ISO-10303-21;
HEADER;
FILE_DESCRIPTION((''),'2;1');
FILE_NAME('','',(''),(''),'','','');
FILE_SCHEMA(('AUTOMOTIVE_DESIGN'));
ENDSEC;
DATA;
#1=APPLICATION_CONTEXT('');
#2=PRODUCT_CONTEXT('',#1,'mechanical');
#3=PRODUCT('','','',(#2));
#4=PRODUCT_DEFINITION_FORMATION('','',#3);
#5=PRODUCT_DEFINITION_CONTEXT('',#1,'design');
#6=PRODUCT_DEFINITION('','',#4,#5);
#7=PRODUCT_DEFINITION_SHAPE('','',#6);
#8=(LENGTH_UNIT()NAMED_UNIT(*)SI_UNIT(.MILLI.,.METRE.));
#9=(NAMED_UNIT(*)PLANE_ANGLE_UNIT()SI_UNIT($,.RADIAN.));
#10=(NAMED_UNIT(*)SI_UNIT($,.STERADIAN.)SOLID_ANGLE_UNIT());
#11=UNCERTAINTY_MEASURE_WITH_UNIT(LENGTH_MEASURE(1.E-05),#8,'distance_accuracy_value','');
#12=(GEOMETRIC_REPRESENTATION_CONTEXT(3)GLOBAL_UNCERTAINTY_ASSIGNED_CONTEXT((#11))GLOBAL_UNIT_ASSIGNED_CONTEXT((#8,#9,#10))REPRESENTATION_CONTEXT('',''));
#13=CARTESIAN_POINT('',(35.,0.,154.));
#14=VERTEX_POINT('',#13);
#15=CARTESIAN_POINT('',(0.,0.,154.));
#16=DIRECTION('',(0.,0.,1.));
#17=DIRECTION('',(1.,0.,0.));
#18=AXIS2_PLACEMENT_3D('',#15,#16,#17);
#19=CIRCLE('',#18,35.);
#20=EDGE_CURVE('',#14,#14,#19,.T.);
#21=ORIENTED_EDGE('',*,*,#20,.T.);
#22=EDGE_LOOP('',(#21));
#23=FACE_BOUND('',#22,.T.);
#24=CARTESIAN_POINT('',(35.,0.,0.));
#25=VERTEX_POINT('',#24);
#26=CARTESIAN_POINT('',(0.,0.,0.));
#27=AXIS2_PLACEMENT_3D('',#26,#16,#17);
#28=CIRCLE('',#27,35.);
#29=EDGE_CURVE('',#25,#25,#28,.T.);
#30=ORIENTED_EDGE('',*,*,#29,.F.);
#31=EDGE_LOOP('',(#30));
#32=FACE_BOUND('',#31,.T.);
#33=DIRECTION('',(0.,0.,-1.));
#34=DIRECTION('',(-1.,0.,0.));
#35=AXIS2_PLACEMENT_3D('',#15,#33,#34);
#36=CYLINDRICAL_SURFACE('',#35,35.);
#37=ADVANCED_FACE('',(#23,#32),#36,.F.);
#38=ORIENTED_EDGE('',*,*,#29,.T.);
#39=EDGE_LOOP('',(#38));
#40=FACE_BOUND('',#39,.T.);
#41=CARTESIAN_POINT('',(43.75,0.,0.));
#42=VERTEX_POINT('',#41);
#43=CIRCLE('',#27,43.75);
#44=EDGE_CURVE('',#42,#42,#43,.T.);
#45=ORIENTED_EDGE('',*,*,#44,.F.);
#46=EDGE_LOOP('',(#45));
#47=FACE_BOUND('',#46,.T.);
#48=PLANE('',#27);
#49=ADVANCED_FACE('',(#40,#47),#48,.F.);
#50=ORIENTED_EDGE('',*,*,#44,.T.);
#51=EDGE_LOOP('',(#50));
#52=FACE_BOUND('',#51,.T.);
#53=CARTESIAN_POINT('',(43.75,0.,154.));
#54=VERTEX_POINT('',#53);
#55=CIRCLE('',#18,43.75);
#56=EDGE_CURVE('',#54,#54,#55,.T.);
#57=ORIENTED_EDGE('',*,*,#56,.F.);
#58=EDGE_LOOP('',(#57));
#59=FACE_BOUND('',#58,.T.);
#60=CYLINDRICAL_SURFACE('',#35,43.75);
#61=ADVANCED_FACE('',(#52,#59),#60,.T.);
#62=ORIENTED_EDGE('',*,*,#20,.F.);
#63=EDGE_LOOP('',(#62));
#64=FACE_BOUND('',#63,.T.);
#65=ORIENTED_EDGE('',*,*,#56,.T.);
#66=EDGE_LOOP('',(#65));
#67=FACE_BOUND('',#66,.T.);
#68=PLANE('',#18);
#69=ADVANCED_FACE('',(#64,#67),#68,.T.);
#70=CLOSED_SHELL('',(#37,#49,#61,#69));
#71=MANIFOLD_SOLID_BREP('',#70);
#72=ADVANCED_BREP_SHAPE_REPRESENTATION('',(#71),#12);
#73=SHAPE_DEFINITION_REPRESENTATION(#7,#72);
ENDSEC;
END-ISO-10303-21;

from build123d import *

# Parameters (mm, degrees)
CROQUIS2_R              = 43.75
CROQUIS2_R_2            = 35
SALIENTE_EXTRUIR6_DEPTH = 154


with BuildPart() as part:
    # Croquis2 → Saliente-Extruir6 (new body)
    with BuildSketch(Plane.XY):
        Circle(CROQUIS2_R)
        Circle(CROQUIS2_R_2, mode=Mode.SUBTRACT)
    extrude(amount=SALIENTE_EXTRUIR6_DEPTH)


solid = part.part
